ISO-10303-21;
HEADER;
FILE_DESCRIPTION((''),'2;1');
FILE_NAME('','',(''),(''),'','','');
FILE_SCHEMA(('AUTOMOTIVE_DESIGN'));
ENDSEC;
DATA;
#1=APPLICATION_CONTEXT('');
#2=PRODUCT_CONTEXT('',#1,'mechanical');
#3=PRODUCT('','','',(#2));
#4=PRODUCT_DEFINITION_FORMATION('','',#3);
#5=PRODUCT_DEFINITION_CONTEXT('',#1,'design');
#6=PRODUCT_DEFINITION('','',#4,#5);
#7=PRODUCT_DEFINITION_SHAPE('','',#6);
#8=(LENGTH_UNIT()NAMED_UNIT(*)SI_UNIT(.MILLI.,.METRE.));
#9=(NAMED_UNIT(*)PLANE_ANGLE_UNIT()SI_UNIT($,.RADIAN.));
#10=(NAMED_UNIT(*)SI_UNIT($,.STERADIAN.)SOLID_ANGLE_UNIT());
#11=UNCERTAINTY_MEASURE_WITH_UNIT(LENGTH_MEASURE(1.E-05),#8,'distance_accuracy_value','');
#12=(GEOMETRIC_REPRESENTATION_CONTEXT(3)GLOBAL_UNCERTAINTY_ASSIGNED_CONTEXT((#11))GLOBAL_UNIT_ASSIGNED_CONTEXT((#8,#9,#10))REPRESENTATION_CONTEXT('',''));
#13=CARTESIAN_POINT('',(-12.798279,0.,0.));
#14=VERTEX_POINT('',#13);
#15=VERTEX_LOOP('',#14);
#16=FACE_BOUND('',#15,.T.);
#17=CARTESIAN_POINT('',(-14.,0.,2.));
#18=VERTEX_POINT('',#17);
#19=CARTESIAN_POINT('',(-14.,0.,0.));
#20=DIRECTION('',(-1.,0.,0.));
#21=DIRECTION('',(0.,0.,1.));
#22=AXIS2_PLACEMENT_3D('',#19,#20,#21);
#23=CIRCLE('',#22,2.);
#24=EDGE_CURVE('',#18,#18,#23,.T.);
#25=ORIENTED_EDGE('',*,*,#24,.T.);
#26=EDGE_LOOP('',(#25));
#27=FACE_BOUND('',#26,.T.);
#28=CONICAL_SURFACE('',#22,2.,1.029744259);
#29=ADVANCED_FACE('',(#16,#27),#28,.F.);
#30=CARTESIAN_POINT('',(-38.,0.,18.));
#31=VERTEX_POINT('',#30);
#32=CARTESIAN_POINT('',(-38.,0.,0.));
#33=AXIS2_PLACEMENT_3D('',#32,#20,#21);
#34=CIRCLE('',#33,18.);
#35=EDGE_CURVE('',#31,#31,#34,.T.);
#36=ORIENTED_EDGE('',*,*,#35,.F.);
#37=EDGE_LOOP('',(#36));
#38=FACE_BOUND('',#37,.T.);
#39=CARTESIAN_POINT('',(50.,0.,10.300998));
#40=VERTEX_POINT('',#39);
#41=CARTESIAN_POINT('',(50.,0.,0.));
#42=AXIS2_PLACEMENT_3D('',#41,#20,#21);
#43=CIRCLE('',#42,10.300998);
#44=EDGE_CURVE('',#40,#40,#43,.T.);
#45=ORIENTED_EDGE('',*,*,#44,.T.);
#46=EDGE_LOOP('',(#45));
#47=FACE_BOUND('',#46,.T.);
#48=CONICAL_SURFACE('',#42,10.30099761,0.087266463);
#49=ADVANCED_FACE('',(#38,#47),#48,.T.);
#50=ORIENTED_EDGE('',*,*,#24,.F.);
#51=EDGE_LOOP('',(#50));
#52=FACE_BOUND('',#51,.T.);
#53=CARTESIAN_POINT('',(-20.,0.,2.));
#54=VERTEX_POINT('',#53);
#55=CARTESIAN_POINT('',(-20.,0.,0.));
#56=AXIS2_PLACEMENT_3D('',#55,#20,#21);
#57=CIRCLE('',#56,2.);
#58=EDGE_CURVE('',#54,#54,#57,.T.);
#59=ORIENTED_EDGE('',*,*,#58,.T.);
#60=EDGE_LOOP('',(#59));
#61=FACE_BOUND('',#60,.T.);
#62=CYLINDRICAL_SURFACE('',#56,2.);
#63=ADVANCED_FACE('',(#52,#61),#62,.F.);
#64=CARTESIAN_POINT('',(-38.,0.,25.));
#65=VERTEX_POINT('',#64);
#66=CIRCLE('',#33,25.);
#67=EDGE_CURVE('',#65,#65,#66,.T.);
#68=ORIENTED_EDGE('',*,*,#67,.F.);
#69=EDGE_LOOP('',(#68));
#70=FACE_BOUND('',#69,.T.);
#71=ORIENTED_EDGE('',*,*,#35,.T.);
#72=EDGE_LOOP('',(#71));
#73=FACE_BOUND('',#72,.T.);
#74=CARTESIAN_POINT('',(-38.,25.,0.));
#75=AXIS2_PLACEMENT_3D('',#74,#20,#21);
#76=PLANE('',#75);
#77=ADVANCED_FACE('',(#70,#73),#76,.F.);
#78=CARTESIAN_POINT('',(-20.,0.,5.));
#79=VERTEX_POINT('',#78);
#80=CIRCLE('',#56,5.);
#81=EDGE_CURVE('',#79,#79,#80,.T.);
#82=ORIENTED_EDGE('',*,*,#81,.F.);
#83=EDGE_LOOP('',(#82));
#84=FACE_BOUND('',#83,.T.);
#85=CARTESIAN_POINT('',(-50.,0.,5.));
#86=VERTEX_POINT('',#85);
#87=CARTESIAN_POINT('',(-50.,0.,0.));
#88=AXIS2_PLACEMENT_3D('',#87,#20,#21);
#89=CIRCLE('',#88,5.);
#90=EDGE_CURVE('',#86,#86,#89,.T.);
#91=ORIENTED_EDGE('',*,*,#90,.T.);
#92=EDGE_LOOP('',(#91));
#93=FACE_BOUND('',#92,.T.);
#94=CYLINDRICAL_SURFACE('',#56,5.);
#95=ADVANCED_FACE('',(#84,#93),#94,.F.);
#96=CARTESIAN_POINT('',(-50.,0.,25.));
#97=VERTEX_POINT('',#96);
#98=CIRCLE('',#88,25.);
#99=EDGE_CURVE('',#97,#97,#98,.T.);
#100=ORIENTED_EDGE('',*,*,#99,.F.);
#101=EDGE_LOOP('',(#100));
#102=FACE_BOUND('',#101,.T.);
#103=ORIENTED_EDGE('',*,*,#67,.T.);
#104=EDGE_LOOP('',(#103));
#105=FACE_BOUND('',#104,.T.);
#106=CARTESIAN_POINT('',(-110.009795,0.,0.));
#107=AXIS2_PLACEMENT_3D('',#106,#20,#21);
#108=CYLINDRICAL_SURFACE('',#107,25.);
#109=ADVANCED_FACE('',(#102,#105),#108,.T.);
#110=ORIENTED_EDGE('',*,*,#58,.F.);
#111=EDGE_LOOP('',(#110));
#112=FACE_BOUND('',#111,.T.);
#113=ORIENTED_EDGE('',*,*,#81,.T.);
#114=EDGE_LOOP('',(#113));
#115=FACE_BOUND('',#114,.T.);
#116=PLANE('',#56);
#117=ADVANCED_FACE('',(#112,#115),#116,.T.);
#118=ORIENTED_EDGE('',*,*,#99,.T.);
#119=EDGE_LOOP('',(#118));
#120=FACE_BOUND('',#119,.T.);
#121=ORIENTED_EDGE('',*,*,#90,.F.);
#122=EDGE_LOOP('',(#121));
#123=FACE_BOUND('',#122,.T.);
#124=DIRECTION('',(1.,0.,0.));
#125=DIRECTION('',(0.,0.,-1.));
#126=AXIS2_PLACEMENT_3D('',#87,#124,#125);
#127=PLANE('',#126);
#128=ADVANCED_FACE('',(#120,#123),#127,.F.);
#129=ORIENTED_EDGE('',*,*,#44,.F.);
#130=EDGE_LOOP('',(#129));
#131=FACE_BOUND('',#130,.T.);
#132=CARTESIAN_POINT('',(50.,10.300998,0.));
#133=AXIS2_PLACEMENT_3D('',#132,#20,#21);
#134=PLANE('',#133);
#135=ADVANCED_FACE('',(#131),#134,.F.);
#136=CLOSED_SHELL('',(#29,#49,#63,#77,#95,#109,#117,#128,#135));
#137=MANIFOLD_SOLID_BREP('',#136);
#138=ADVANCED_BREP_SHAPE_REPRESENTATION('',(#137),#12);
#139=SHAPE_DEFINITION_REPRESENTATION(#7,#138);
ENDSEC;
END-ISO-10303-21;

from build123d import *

# Parameters (mm, degrees)
SKETCH_9_R          = 5
CUT_EXTRUDE_2_DEPTH = 30
MM_1_D              = 4
MM_1_DEPTH          = 6
MM_1_TIP            = 1.201721238


with BuildPart() as part:
    # 草图5 → 旋转1 (revolve)
    with BuildSketch(Plane.XY, mode=Mode.PRIVATE) as revolve_1_sk:
        Polygon((-50, 0), (-50, 25), (-38, 25), (-38, 18), (50, 10.30099761), (50, 0), align=None)
    revolve(revolve_1_sk.sketch.rotate(Axis((-110.009795311, 0, 0), (1, 0, 0)), 90), axis=Axis((-110.009795311, 0, 0), (1, 0, 0)))

    # 草图9 → 切除-拉伸2 (cut)
    with BuildSketch(Plane.ZY.offset(50)):
        Circle(SKETCH_9_R)
    extrude(amount=-CUT_EXTRUDE_2_DEPTH, mode=Mode.SUBTRACT)

    # 大小mm 暗销孔1
    with Locations(Plane.ZY.offset(20)):
        with Locations((0, 0)):
            Hole(MM_1_D / 2, depth=MM_1_DEPTH)
            with Locations((0, 0, -(MM_1_DEPTH + MM_1_TIP / 2))):  # 118° drill point
                Cone(0, MM_1_D / 2, MM_1_TIP, mode=Mode.SUBTRACT)


solid = part.part
